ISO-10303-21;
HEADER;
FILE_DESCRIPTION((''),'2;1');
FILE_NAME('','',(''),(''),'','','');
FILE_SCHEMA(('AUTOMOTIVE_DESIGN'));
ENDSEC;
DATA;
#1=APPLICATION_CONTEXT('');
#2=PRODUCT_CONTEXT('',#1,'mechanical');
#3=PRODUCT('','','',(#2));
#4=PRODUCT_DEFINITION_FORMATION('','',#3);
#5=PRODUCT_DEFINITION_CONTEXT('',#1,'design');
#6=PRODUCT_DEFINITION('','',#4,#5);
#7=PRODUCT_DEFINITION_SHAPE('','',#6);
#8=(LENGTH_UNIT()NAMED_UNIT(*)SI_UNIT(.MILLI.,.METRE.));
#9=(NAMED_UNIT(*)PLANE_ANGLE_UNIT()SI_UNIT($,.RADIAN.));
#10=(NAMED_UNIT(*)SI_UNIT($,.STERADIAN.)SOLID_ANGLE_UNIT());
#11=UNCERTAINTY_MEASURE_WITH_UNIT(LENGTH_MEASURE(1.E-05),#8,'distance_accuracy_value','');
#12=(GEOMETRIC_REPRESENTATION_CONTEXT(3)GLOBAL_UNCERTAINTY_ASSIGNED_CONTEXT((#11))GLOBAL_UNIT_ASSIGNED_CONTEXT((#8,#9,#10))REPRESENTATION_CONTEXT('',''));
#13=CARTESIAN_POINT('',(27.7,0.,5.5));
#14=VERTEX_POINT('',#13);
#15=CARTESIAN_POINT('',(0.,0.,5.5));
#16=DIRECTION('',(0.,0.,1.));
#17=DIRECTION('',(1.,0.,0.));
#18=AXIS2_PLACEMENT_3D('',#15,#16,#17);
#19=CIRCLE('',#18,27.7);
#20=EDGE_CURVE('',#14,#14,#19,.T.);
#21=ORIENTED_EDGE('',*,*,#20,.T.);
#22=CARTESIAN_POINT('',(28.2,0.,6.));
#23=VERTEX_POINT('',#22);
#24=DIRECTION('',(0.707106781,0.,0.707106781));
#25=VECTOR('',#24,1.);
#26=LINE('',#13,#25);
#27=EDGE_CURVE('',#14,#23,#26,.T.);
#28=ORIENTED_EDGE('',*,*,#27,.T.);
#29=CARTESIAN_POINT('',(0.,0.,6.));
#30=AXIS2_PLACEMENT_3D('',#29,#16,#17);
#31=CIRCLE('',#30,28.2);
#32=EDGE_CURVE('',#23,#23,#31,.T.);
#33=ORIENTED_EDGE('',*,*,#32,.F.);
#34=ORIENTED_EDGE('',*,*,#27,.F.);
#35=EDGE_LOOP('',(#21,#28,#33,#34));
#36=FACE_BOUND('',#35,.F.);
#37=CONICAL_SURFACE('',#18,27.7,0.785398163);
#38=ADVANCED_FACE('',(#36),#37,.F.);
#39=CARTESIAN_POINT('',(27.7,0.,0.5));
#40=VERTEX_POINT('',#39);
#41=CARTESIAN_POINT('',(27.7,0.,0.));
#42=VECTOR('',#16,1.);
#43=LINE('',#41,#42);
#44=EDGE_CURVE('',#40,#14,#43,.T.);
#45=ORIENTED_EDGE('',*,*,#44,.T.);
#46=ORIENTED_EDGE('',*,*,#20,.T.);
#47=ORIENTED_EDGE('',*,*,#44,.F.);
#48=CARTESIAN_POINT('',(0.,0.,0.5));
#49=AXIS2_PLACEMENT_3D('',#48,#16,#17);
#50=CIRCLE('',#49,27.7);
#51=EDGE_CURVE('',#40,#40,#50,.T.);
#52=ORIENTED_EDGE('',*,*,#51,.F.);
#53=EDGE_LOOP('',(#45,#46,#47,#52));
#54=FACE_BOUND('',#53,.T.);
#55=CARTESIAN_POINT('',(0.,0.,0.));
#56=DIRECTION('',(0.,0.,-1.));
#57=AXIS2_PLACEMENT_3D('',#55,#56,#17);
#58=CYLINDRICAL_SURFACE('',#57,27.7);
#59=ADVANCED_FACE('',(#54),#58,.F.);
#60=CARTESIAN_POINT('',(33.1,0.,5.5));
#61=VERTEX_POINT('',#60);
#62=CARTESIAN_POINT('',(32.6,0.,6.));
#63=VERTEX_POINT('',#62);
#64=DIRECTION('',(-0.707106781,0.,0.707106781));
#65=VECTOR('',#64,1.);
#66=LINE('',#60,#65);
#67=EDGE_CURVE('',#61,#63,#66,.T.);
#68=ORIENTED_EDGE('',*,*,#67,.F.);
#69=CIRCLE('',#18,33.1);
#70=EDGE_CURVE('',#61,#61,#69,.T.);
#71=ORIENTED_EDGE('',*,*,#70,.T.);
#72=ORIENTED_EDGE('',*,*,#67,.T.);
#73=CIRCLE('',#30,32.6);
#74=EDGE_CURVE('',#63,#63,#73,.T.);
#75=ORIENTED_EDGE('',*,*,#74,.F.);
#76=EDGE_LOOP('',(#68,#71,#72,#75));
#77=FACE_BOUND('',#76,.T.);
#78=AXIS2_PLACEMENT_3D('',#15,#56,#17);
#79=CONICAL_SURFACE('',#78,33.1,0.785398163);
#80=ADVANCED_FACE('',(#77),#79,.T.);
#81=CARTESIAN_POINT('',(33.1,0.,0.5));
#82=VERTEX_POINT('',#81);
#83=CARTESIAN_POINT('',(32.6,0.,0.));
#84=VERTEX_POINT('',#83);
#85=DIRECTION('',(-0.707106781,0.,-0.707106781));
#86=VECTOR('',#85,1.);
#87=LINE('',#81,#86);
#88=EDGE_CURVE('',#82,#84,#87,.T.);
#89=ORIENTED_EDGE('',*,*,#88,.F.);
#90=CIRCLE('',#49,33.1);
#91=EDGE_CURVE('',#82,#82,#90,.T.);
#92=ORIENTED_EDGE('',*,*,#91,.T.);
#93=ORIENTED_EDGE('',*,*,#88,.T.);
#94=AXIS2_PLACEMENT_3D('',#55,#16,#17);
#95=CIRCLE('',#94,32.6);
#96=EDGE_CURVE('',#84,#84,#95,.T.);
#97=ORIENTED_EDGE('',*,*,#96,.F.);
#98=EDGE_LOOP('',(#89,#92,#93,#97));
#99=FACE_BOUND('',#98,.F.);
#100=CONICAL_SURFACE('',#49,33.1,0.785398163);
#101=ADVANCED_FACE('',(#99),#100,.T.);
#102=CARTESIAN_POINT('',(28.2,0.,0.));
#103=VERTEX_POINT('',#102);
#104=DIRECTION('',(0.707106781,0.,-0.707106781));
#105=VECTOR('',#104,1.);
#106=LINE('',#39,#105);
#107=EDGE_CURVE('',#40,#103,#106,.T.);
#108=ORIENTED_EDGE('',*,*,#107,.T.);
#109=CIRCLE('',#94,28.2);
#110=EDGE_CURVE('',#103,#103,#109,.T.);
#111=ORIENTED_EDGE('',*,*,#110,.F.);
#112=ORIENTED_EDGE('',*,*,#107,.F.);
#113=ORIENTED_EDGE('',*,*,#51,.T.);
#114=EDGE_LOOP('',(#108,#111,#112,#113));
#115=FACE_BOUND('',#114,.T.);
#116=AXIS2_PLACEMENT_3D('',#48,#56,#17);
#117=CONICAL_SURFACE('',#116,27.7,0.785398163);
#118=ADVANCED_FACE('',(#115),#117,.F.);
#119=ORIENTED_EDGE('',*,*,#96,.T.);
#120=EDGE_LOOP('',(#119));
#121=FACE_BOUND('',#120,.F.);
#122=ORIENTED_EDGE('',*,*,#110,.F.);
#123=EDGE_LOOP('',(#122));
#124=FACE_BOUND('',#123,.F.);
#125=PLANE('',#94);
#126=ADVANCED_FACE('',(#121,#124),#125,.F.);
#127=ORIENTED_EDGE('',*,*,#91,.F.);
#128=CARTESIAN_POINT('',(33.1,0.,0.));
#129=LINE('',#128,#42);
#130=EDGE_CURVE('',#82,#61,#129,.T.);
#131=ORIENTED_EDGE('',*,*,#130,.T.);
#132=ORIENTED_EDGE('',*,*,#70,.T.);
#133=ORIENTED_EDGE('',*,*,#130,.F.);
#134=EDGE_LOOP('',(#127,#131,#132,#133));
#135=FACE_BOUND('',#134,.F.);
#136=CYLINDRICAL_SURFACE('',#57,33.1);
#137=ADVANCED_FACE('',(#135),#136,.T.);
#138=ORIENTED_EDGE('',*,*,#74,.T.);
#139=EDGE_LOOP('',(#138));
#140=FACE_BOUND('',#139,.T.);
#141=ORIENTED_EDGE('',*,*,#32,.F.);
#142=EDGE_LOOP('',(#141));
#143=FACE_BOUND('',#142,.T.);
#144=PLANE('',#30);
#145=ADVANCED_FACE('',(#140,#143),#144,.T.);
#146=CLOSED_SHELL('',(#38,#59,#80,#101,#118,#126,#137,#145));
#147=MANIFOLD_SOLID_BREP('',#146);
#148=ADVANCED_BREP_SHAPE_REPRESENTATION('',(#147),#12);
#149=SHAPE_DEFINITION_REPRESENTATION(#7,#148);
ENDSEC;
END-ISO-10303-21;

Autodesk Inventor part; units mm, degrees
ref_plane "YZ Plane" through (0, 0, 0) normal (1, 0, 0) x (0, 1, 0)
ref_plane "XZ Plane" through (0, 0, 0) normal (0, 1, 0) x (-1, 0, 0)
ref_plane "XY Plane" through (0, 0, 0) normal (0, 0, 1) x (1, 0, 0)
sketch "草图1" plane through (0, 0, 0) normal (0, 0, 1) x (1, 0, 0)
  circle A0 centre (0, 0) radius 33.1
  circle A1 centre (0, 0) radius 27.7
extrude "拉伸1" add sketch "草图1" along normal blind 6
chamfer "倒角1" distance 0.5 angle 45 4 edges at (-27.7, 0, 6) (-27.7, 0, 0) (-33.1, 0, 6) (-33.1, 0, 0)
properties part number "my_attempt_v2"
